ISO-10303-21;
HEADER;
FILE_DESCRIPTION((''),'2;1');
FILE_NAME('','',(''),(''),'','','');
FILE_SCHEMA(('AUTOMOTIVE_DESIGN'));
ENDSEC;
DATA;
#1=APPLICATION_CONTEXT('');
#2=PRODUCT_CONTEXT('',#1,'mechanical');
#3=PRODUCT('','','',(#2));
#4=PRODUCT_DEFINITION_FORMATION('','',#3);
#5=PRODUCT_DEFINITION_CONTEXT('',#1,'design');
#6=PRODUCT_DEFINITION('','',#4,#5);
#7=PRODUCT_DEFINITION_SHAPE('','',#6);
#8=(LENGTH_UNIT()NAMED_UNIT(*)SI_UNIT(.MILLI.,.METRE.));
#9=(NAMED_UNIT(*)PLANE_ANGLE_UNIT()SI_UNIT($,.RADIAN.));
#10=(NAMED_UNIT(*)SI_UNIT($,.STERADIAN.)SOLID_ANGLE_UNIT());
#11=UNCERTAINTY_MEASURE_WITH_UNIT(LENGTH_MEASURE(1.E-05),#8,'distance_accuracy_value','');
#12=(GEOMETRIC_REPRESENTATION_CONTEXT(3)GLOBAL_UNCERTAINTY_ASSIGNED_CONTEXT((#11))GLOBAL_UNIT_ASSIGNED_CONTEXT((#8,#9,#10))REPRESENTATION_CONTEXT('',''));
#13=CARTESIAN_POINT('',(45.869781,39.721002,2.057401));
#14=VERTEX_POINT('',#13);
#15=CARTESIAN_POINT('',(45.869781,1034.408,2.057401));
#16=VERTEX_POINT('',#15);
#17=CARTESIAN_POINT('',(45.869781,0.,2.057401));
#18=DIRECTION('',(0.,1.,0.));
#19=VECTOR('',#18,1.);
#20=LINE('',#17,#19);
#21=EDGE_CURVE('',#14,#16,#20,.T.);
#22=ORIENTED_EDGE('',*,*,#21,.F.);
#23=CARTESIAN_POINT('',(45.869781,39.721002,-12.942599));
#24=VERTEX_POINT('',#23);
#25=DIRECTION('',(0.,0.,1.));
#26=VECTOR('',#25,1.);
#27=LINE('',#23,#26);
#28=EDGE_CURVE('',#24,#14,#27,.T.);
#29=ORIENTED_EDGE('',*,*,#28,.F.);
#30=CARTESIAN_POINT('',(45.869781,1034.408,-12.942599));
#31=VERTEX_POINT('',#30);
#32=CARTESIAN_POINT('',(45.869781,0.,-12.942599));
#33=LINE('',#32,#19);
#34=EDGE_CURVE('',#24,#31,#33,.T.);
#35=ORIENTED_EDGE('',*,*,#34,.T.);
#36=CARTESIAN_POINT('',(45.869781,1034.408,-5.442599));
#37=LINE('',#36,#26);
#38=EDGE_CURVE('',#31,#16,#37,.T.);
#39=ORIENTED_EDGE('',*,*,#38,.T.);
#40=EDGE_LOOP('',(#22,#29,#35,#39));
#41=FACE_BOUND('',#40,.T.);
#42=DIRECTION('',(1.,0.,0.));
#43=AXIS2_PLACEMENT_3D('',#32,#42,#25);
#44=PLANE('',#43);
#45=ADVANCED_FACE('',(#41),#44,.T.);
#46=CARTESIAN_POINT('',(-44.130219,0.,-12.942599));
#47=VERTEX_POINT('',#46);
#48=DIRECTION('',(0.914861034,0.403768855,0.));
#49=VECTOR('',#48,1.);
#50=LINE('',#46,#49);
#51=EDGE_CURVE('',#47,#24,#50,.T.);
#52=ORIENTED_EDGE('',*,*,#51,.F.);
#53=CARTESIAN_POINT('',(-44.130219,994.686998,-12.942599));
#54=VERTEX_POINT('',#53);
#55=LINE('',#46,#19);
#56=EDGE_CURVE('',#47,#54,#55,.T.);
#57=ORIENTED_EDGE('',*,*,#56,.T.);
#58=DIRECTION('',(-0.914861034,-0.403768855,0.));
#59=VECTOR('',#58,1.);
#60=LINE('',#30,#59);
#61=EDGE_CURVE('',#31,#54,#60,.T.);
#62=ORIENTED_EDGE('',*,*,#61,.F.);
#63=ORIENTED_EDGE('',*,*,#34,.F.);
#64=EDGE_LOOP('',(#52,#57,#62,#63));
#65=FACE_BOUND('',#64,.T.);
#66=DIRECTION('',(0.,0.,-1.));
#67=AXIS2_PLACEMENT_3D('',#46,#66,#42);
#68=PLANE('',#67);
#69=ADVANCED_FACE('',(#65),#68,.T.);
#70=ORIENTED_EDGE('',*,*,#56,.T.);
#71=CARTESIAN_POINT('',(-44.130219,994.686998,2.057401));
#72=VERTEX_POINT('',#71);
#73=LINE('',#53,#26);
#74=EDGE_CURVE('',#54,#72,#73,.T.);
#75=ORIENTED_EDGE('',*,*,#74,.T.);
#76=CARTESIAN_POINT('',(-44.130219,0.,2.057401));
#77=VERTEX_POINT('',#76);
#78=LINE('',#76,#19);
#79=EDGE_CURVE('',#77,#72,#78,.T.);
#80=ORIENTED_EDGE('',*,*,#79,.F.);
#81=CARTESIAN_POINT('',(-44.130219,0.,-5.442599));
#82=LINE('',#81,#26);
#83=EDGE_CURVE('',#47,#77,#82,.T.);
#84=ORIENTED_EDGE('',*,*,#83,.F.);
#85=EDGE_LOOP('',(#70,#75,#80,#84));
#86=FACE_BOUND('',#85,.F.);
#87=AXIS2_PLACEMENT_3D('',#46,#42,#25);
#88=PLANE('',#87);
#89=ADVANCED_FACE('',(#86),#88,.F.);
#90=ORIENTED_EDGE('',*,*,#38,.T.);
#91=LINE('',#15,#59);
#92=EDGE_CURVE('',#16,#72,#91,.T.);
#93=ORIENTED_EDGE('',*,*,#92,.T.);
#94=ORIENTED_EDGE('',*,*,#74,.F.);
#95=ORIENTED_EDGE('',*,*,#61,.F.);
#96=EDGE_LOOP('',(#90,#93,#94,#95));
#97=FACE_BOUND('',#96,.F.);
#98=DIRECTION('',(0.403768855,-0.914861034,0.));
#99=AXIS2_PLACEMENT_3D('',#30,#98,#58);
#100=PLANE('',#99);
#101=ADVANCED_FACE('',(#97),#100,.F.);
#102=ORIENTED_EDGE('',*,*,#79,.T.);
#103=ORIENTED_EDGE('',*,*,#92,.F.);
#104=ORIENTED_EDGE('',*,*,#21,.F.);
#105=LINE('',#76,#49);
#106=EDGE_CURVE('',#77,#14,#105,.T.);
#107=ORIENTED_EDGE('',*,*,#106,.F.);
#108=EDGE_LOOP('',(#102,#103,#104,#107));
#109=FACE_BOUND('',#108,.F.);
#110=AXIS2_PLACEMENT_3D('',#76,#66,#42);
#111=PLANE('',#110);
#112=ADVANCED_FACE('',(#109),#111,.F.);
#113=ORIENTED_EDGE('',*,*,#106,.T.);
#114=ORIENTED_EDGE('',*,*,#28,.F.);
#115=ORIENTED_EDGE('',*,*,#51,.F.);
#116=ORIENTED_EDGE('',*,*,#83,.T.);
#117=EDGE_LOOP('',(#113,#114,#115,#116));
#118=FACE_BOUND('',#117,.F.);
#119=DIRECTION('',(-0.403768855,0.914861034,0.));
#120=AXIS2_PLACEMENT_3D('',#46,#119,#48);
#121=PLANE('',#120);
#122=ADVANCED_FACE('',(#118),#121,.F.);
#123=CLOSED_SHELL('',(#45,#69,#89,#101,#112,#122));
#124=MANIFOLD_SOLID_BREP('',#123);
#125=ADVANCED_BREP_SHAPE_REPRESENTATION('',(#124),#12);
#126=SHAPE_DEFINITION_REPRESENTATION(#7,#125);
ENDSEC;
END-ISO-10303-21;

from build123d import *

# Parameters (mm, degrees)
F0_W     = 90
F0_H     = 15
F1_DEPTH = 1034.408
F3_DEPTH = 15


with BuildPart() as f1:
    # F0 (on Front) → F1 (new body)
    with BuildSketch(Plane.XZ):
        with Locations((0.869781, -5.442599)):
            Rectangle(F0_W, F0_H)
    extrude(amount=-F1_DEPTH)

    # F2 (on face) → F3 (cut)
    with BuildSketch(Plane(origin=(0, 0, -12.942599), x_dir=(1, 0, 0), z_dir=(0, 0, -1))):
        Polygon((45.869781, 0), (-44.130219, 0), (45.869781, -39.721002), align=None)
        Polygon((45.869781, -1034.408), (-44.130219, -994.686998), (-44.130219, -1034.408), align=None)
    extrude(amount=-F3_DEPTH, mode=Mode.SUBTRACT)


solid = f1.part
